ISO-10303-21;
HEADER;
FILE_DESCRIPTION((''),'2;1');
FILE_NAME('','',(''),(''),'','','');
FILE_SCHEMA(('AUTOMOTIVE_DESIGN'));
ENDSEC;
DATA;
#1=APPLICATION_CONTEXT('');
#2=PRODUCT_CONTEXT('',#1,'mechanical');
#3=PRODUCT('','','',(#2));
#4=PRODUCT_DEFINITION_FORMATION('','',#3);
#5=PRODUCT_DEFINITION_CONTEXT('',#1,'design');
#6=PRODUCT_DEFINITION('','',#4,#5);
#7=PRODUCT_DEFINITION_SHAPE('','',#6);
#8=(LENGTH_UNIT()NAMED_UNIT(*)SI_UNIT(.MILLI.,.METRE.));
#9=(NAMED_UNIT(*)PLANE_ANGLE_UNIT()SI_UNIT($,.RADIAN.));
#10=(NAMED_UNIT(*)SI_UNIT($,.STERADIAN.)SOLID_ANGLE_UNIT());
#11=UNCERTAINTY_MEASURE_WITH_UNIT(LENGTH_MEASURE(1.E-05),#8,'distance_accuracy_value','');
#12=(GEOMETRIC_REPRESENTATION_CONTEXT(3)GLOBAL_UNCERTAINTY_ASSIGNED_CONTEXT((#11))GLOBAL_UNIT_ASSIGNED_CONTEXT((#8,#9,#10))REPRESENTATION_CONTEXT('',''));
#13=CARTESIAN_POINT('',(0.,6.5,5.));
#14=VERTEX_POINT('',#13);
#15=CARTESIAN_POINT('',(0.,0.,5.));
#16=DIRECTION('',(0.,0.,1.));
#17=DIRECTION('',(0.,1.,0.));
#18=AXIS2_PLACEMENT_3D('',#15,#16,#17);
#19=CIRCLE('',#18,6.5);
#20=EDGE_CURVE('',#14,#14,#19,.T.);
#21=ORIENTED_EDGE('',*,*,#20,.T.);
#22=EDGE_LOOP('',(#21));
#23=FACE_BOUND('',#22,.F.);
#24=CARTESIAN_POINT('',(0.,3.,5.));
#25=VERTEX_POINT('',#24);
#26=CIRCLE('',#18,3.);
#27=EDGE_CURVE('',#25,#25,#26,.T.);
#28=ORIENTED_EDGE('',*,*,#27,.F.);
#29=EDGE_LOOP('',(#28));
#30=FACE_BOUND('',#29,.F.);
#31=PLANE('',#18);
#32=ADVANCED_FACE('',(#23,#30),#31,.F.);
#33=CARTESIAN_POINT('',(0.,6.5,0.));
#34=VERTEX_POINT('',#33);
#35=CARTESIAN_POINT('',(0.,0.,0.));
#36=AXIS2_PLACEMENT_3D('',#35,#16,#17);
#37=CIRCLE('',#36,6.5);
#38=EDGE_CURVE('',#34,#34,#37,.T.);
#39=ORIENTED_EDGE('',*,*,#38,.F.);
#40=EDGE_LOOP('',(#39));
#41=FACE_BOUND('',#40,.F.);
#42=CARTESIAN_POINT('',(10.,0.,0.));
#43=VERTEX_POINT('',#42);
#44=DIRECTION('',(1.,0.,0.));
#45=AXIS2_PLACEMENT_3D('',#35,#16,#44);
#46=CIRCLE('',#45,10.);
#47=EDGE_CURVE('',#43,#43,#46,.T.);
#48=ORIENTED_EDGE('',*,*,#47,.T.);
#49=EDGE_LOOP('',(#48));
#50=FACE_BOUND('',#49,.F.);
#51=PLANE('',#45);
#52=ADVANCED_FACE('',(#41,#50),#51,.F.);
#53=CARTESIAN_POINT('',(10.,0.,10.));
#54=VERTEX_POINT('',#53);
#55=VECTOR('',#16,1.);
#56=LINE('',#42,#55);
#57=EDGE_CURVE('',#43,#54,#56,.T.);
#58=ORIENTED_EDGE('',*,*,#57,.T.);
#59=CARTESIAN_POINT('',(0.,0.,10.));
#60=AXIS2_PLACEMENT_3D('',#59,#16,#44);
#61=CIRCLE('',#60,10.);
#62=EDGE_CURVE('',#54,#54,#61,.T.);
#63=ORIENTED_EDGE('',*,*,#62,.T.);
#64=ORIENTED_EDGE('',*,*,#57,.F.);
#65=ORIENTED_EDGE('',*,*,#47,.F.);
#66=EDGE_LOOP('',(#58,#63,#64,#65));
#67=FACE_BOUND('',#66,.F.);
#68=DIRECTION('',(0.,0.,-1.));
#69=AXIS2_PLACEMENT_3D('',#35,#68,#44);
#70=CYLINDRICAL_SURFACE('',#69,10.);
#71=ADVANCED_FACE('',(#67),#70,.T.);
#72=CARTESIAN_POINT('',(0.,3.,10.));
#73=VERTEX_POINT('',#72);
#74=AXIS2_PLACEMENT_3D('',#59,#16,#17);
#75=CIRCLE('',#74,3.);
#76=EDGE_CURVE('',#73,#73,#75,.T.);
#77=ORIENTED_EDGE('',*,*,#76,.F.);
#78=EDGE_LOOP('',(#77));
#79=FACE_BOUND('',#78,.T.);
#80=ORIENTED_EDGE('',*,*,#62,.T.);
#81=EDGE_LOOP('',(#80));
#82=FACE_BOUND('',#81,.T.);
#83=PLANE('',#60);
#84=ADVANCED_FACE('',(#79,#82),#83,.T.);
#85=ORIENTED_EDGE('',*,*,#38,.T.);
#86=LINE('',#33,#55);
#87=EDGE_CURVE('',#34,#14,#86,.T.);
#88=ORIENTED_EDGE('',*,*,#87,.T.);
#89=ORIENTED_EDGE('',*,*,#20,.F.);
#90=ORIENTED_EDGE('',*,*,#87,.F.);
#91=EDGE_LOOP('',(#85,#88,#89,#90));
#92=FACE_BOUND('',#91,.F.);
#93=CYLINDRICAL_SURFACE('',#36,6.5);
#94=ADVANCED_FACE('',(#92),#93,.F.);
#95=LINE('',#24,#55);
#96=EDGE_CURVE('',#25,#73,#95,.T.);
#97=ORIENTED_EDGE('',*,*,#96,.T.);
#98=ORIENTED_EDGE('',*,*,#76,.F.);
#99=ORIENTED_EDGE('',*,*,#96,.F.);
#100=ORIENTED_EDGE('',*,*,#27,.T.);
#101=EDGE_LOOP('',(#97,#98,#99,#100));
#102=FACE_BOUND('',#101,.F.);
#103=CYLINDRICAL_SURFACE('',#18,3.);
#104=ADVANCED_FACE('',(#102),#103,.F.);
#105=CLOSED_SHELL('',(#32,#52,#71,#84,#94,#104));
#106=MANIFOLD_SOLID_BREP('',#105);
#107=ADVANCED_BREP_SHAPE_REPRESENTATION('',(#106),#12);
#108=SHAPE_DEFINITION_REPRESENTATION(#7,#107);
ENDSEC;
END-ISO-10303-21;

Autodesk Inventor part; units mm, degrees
ref_plane "YZ Plane" through (0, 0, 0) normal (1, 0, 0) x (0, 1, 0)
ref_plane "XZ Plane" through (0, 0, 0) normal (0, 1, 0) x (-1, 0, 0)
ref_plane "XY Plane" through (0, 0, 0) normal (0, 0, 1) x (1, 0, 0)
sketch "Sketch1" plane through (0, 0, 0) normal (0, 0, 1) x (1, 0, 0)
  circle A0 centre (0, 0) radius 10
  circle A1 centre (0, 0) radius 2.5
  dimension "d0" = 20
  dimension "d1" = 5
extrude "Extrusion1" add sketch "Sketch1" along normal blind 10 contours A0 | A1
sketch "Sketch3" plane through (0, 0, 0) normal (0, 0, -1) x (-1, 0, 0)
  point P0 (0, 0)
hole "Hole2" at (0, 0, 0) direction (0, 0, 1) diameter 6 end through all counterbore diameter 13 counterbore depth 5
properties part number "0008-10-053 picior" material "ABS Plastic"
